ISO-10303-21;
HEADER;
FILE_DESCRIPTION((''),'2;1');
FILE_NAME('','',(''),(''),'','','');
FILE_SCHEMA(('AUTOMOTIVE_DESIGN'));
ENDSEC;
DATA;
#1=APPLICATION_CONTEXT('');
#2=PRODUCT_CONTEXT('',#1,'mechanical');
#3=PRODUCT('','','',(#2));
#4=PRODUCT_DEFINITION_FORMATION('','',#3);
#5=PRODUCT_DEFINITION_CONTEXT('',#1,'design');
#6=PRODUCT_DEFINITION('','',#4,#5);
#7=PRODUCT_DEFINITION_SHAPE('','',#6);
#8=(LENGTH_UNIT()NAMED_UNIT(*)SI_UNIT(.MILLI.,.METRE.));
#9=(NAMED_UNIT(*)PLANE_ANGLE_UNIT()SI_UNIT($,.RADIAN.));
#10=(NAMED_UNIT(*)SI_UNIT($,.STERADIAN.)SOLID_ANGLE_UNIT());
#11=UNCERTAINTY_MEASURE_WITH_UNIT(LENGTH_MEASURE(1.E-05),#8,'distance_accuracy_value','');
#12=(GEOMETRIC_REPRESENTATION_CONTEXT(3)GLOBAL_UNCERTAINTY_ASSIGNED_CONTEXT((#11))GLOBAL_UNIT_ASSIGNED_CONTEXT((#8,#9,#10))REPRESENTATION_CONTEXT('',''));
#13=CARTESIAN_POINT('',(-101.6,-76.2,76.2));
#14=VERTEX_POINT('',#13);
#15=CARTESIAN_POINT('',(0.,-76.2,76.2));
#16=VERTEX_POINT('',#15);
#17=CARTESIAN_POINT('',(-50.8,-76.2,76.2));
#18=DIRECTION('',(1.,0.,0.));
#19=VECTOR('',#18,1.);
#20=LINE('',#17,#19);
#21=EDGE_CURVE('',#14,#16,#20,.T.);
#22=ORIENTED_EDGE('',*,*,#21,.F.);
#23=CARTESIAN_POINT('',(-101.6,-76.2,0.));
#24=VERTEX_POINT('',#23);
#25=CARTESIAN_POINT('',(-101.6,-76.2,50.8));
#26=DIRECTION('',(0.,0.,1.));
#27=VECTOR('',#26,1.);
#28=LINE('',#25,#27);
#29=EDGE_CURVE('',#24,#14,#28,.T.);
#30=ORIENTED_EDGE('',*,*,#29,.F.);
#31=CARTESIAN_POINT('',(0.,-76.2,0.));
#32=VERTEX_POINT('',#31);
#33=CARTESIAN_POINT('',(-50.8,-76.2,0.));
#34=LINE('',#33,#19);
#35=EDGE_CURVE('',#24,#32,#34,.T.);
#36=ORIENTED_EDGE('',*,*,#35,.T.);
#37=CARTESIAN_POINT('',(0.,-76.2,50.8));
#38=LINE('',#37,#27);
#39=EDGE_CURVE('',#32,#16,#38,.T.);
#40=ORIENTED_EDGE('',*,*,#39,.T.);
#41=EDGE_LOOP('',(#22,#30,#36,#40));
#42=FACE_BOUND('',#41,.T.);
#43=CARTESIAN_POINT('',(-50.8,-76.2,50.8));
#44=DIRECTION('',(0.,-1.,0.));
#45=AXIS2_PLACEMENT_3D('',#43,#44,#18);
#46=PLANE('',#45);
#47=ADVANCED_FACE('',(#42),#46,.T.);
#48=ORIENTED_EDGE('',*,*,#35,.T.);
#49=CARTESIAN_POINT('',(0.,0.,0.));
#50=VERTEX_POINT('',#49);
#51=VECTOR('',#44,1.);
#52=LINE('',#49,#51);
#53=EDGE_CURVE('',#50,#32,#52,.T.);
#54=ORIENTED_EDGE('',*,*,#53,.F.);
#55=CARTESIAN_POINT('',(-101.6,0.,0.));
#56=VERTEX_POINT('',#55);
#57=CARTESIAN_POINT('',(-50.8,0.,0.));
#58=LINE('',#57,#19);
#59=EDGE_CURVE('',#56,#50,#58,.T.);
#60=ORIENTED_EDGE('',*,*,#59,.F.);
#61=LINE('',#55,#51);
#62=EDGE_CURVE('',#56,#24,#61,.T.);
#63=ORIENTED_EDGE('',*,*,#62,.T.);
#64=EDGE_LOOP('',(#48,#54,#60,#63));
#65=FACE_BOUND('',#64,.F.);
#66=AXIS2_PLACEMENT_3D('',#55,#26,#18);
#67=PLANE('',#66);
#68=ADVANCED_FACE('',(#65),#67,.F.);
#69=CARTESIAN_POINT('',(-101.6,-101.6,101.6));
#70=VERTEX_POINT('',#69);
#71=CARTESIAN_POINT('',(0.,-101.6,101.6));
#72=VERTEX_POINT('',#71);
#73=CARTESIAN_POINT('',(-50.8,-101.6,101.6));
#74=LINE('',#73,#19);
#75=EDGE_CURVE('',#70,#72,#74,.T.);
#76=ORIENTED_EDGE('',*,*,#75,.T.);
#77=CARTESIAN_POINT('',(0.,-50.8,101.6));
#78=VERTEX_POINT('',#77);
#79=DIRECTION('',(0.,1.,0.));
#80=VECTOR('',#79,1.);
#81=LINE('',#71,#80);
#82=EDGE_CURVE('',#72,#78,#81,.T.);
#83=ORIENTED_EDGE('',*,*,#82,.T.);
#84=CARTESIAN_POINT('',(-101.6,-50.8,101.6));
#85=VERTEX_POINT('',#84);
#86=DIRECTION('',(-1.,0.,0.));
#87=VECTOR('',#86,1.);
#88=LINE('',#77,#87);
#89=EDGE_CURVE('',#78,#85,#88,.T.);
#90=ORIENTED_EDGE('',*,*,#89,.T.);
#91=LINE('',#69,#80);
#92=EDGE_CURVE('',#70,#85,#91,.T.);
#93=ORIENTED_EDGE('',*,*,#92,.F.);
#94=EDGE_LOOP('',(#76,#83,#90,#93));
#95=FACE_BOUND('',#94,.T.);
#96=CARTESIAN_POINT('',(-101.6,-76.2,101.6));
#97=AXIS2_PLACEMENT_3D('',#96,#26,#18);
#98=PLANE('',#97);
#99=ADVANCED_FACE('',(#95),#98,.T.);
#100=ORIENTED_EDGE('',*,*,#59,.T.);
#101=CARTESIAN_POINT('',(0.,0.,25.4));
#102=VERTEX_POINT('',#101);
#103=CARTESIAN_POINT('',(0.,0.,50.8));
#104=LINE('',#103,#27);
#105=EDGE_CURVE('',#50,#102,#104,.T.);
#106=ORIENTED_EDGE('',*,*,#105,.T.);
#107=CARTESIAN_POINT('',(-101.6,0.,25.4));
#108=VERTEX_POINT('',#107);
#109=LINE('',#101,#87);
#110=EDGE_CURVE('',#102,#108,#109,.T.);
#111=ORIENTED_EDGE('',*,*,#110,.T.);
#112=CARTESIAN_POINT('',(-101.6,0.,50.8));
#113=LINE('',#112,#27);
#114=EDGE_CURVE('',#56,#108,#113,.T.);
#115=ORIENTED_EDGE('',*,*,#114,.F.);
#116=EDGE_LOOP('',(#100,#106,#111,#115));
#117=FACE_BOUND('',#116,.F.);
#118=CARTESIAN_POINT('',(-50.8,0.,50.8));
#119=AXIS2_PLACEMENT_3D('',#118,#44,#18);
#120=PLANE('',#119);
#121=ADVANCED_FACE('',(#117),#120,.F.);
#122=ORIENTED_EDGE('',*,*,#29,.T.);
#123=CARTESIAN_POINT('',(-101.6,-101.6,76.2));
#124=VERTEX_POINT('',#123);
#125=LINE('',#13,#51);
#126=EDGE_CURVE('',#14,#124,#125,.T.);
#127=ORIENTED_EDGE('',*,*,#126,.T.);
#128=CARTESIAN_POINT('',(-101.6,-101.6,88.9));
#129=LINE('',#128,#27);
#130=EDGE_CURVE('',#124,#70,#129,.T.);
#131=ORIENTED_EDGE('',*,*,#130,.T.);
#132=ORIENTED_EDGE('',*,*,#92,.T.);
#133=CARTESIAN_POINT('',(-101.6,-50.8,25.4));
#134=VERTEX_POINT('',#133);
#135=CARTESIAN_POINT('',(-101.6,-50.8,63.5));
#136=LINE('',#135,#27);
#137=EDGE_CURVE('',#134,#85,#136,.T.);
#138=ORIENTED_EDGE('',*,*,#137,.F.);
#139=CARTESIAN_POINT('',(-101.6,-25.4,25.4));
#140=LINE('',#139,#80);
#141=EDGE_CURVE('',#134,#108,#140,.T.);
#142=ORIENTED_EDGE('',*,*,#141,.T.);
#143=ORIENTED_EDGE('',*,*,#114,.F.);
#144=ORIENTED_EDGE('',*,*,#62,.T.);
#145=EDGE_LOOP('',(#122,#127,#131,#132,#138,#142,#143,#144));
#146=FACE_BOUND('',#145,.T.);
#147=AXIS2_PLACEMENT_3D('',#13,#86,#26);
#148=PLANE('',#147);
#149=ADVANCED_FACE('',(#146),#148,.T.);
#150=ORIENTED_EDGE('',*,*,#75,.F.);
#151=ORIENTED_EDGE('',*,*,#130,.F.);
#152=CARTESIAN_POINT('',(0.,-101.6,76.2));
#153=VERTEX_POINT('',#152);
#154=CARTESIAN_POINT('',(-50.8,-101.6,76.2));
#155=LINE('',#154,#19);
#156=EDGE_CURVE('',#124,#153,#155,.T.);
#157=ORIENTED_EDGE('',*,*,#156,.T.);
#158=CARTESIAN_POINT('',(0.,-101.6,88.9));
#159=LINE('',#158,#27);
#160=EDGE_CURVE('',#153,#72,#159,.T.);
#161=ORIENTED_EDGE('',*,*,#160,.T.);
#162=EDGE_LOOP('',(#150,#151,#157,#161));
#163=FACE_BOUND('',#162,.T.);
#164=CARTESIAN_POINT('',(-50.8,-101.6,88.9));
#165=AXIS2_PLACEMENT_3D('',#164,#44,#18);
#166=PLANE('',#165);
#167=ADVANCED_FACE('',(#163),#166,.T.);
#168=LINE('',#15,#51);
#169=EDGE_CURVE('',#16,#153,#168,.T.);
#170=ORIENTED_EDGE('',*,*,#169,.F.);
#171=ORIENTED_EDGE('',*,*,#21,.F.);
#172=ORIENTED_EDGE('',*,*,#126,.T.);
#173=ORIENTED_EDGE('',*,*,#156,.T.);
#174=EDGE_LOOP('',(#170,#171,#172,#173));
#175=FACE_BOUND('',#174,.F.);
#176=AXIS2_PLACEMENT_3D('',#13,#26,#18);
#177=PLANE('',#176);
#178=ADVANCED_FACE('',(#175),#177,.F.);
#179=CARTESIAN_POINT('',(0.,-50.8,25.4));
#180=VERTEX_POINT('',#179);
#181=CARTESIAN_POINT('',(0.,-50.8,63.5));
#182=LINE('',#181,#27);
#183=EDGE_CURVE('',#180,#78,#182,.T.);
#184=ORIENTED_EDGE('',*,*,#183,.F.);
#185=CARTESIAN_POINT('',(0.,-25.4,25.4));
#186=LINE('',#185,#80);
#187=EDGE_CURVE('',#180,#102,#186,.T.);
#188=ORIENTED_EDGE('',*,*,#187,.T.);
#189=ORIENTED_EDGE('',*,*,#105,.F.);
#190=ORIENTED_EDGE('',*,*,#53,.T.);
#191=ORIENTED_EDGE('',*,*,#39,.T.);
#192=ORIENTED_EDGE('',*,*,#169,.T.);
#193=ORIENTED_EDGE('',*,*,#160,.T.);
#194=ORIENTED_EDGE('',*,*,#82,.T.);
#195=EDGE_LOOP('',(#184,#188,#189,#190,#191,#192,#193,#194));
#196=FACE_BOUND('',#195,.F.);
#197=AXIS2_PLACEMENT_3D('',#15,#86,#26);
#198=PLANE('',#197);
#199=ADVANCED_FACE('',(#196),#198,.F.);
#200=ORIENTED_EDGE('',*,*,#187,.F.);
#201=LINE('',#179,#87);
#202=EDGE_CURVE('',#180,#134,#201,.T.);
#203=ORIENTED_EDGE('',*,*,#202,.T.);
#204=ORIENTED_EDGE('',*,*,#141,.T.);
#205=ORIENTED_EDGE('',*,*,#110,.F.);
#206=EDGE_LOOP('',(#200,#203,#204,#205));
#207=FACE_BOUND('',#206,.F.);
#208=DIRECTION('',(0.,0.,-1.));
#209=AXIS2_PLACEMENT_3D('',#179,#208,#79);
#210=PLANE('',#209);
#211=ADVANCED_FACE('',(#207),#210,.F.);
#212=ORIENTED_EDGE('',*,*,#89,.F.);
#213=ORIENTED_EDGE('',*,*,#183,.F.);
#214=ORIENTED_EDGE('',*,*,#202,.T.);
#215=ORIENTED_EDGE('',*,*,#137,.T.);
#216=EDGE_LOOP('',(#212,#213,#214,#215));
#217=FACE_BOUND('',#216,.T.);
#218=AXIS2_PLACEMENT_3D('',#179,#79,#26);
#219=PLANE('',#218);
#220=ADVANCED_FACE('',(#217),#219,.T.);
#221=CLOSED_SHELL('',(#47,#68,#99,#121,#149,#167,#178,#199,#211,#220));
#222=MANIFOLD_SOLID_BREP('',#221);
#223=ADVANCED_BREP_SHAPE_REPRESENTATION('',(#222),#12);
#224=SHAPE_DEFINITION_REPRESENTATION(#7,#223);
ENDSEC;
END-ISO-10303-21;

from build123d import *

# Parameters (mm, degrees)
F0_W     = 101.6
F0_H     = 101.6
F1_DEPTH = 76.2
F3_W     = 101.6
F3_H     = 25.4
F4_DEPTH = 25.4
F2_W     = 50.8
F2_H     = 76.2
F5_DEPTH = 101.6


with BuildPart() as f1:
    # F0 (on Front) → F1 (new body)
    with BuildSketch(Plane.XZ):
        with Locations((-50.8, 50.8)):
            Rectangle(F0_W, F0_H)
    extrude(amount=F1_DEPTH)

    # F3 (on face) → F4 (join)
    with BuildSketch(Plane.XZ.offset(76.2)):
        with Locations((-50.8, 88.9)):
            Rectangle(F3_W, F3_H)
    extrude(amount=F4_DEPTH)

    # F2 (on face) → F5 (cut)
    with BuildSketch(Plane.YZ):
        with Locations((-25.4, 63.5)):
            Rectangle(F2_W, F2_H)
    extrude(amount=-F5_DEPTH, mode=Mode.SUBTRACT)


solid = f1.part
